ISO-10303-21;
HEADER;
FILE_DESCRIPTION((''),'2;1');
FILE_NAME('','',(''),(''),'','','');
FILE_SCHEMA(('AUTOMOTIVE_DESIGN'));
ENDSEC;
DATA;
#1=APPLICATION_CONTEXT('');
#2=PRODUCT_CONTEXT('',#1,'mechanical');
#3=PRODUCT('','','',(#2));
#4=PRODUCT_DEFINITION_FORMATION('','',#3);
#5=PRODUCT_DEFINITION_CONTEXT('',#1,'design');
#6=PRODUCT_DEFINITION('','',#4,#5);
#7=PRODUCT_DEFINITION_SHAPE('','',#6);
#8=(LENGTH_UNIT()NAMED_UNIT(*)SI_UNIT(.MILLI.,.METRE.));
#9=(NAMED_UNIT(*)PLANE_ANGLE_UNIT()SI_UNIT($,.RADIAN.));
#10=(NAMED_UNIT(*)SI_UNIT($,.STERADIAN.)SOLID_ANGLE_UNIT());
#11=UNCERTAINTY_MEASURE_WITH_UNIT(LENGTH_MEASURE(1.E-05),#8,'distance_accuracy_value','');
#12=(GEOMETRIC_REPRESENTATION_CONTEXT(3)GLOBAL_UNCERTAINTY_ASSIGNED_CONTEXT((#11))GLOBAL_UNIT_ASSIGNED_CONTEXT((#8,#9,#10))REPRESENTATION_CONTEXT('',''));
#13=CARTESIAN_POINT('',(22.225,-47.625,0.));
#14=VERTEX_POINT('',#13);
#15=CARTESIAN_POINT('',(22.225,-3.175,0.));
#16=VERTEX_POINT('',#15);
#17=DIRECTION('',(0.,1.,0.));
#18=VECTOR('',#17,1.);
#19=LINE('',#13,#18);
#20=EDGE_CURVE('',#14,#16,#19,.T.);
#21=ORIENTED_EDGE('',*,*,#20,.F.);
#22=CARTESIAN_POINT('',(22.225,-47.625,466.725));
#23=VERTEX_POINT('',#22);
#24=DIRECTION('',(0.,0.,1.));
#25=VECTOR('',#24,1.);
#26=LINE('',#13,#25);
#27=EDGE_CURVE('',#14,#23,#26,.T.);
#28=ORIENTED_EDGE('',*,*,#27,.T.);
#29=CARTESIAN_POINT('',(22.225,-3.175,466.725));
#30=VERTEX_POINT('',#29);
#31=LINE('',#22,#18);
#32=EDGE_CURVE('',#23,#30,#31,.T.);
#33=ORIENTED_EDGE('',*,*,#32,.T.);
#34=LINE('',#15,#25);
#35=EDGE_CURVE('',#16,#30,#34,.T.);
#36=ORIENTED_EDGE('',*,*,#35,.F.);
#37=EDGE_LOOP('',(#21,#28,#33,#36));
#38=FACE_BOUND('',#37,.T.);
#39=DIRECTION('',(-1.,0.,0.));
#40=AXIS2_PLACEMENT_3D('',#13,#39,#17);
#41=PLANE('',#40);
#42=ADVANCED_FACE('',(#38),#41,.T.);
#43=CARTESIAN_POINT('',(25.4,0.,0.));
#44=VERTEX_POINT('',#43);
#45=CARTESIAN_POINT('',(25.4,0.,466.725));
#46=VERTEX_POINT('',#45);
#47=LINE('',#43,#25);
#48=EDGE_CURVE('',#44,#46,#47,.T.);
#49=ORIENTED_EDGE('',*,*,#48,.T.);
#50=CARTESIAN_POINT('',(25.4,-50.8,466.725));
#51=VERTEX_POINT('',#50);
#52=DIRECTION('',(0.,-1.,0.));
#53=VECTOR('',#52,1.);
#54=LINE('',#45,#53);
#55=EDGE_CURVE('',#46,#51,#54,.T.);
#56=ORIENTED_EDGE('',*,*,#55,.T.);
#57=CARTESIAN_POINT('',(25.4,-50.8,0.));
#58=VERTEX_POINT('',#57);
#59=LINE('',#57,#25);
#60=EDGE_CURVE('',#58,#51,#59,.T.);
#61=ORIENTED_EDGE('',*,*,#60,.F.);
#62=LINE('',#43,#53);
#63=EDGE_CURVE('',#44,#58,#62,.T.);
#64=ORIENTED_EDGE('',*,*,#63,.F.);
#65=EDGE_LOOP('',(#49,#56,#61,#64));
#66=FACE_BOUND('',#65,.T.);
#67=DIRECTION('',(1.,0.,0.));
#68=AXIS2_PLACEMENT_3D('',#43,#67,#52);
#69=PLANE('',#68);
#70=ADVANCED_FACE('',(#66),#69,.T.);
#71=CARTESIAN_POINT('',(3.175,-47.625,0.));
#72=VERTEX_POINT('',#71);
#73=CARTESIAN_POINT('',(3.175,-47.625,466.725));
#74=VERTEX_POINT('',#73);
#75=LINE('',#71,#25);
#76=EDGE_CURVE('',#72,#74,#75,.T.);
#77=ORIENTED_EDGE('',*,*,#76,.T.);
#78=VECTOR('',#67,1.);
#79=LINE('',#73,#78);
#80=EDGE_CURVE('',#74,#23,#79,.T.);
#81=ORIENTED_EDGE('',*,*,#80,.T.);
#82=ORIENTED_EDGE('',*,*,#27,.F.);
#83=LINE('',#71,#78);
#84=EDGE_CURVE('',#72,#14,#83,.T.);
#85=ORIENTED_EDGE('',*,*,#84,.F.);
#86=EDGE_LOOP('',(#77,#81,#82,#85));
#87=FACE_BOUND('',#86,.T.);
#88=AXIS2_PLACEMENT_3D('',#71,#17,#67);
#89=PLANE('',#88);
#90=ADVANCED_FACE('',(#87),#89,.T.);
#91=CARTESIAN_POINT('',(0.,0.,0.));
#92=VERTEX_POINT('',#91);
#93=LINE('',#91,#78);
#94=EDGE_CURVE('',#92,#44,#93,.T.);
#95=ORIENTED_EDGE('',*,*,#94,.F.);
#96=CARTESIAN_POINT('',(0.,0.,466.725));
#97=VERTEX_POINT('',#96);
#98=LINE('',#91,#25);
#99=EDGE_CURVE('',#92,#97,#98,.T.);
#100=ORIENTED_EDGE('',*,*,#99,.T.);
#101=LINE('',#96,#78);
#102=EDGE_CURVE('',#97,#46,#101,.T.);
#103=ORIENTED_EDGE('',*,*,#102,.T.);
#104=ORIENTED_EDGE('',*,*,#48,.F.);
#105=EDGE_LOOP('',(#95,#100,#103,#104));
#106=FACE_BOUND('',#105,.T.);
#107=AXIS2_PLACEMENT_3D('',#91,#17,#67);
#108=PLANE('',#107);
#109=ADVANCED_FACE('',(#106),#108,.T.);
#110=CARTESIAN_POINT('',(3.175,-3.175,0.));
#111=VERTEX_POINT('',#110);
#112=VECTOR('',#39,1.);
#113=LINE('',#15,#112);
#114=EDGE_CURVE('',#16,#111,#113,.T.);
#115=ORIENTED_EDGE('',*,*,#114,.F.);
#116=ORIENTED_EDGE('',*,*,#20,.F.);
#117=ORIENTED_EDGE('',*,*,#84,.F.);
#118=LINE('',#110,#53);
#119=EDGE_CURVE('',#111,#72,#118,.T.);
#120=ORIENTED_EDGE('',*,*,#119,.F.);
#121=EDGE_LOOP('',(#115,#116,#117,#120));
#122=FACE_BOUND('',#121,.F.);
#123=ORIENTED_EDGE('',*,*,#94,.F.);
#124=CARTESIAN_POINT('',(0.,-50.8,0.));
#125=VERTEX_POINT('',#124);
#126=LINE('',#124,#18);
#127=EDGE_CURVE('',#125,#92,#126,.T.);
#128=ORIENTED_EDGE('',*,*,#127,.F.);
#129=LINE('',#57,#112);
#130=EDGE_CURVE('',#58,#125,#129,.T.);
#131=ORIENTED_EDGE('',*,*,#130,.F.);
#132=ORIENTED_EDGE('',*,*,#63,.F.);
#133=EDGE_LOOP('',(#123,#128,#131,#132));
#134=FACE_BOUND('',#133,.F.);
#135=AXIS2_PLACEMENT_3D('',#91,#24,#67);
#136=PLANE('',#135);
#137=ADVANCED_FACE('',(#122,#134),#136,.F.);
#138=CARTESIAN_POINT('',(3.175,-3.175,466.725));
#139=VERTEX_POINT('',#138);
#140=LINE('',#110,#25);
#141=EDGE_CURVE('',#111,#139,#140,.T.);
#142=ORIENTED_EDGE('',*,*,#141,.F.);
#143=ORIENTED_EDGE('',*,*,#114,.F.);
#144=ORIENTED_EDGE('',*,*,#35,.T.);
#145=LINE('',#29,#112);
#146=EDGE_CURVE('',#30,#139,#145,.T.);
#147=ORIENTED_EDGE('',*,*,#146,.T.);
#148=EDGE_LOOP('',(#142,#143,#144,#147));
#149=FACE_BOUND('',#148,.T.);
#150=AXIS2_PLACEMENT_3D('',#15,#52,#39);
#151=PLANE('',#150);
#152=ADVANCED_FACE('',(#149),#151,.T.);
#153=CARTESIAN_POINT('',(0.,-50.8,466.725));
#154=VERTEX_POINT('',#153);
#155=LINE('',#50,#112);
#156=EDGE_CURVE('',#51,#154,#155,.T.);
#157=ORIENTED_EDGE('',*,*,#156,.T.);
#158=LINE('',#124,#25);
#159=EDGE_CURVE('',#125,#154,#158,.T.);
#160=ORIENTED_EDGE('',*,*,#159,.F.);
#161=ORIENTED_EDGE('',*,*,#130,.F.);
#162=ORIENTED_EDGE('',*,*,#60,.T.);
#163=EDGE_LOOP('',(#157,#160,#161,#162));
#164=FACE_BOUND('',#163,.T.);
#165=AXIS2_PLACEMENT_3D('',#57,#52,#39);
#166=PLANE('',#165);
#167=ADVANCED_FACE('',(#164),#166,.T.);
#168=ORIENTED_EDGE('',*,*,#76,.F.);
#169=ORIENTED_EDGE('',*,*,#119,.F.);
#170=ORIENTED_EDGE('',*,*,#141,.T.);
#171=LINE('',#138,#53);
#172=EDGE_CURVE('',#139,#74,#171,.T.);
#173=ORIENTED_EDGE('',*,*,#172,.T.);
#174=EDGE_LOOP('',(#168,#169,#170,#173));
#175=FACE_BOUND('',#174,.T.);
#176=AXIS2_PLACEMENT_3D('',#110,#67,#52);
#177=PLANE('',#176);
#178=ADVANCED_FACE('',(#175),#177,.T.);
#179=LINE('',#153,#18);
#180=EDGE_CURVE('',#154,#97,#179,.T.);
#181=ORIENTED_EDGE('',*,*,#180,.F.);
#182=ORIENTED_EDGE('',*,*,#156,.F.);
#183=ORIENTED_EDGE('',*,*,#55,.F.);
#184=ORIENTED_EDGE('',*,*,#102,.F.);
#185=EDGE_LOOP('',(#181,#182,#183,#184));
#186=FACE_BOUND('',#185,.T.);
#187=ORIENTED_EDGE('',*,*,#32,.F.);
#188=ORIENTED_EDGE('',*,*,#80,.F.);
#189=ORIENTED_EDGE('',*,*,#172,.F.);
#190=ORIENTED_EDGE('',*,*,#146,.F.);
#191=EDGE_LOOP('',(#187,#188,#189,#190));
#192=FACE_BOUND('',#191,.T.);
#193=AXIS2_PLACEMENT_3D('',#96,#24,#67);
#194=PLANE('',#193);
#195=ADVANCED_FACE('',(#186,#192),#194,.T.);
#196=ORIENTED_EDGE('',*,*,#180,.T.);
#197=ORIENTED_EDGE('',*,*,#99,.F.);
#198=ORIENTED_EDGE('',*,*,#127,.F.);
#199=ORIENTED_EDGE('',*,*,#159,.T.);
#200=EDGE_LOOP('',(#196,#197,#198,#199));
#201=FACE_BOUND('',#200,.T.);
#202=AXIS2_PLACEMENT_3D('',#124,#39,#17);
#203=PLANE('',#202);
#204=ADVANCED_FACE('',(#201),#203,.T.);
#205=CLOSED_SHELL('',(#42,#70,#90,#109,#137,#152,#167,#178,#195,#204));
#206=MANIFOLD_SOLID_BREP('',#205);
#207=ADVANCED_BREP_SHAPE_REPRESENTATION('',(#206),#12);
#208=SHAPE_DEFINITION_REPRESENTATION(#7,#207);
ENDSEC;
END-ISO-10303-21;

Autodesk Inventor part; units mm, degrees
ref_plane "YZ Plane" through (0, 0, 0) normal (1, 0, 0) x (0, 1, 0)
ref_plane "XZ Plane" through (0, 0, 0) normal (0, 1, 0) x (-1, 0, 0)
ref_plane "XY Plane" through (0, 0, 0) normal (0, 0, 1) x (1, 0, 0)
sketch "Sketch1" plane through (0, 0, 0) normal (0, 0, 1) x (1, 0, 0)
  line L0 (0, 0) -> (25.4, 0)
  line L1 (25.4, 0) -> (25.4, -50.8)
  line L2 (25.4, -50.8) -> (0, -50.8)
  line L3 (0, -50.8) -> (0, 0)
  line L4 (22.225, -3.175) -> (3.175, -3.175)
  line L5 (3.175, -3.175) -> (3.175, -47.625)
  line L6 (3.175, -47.625) -> (22.225, -47.625)
  line L7 (22.225, -47.625) -> (22.225, -3.175)
  dimension "d0" = 25.4
  dimension "d1" = 50.8
  dimension "d2" = 3.175
extrude "Extrusion1" add sketch "Sketch1" along normal blind 466.725
properties part number "L connection"
